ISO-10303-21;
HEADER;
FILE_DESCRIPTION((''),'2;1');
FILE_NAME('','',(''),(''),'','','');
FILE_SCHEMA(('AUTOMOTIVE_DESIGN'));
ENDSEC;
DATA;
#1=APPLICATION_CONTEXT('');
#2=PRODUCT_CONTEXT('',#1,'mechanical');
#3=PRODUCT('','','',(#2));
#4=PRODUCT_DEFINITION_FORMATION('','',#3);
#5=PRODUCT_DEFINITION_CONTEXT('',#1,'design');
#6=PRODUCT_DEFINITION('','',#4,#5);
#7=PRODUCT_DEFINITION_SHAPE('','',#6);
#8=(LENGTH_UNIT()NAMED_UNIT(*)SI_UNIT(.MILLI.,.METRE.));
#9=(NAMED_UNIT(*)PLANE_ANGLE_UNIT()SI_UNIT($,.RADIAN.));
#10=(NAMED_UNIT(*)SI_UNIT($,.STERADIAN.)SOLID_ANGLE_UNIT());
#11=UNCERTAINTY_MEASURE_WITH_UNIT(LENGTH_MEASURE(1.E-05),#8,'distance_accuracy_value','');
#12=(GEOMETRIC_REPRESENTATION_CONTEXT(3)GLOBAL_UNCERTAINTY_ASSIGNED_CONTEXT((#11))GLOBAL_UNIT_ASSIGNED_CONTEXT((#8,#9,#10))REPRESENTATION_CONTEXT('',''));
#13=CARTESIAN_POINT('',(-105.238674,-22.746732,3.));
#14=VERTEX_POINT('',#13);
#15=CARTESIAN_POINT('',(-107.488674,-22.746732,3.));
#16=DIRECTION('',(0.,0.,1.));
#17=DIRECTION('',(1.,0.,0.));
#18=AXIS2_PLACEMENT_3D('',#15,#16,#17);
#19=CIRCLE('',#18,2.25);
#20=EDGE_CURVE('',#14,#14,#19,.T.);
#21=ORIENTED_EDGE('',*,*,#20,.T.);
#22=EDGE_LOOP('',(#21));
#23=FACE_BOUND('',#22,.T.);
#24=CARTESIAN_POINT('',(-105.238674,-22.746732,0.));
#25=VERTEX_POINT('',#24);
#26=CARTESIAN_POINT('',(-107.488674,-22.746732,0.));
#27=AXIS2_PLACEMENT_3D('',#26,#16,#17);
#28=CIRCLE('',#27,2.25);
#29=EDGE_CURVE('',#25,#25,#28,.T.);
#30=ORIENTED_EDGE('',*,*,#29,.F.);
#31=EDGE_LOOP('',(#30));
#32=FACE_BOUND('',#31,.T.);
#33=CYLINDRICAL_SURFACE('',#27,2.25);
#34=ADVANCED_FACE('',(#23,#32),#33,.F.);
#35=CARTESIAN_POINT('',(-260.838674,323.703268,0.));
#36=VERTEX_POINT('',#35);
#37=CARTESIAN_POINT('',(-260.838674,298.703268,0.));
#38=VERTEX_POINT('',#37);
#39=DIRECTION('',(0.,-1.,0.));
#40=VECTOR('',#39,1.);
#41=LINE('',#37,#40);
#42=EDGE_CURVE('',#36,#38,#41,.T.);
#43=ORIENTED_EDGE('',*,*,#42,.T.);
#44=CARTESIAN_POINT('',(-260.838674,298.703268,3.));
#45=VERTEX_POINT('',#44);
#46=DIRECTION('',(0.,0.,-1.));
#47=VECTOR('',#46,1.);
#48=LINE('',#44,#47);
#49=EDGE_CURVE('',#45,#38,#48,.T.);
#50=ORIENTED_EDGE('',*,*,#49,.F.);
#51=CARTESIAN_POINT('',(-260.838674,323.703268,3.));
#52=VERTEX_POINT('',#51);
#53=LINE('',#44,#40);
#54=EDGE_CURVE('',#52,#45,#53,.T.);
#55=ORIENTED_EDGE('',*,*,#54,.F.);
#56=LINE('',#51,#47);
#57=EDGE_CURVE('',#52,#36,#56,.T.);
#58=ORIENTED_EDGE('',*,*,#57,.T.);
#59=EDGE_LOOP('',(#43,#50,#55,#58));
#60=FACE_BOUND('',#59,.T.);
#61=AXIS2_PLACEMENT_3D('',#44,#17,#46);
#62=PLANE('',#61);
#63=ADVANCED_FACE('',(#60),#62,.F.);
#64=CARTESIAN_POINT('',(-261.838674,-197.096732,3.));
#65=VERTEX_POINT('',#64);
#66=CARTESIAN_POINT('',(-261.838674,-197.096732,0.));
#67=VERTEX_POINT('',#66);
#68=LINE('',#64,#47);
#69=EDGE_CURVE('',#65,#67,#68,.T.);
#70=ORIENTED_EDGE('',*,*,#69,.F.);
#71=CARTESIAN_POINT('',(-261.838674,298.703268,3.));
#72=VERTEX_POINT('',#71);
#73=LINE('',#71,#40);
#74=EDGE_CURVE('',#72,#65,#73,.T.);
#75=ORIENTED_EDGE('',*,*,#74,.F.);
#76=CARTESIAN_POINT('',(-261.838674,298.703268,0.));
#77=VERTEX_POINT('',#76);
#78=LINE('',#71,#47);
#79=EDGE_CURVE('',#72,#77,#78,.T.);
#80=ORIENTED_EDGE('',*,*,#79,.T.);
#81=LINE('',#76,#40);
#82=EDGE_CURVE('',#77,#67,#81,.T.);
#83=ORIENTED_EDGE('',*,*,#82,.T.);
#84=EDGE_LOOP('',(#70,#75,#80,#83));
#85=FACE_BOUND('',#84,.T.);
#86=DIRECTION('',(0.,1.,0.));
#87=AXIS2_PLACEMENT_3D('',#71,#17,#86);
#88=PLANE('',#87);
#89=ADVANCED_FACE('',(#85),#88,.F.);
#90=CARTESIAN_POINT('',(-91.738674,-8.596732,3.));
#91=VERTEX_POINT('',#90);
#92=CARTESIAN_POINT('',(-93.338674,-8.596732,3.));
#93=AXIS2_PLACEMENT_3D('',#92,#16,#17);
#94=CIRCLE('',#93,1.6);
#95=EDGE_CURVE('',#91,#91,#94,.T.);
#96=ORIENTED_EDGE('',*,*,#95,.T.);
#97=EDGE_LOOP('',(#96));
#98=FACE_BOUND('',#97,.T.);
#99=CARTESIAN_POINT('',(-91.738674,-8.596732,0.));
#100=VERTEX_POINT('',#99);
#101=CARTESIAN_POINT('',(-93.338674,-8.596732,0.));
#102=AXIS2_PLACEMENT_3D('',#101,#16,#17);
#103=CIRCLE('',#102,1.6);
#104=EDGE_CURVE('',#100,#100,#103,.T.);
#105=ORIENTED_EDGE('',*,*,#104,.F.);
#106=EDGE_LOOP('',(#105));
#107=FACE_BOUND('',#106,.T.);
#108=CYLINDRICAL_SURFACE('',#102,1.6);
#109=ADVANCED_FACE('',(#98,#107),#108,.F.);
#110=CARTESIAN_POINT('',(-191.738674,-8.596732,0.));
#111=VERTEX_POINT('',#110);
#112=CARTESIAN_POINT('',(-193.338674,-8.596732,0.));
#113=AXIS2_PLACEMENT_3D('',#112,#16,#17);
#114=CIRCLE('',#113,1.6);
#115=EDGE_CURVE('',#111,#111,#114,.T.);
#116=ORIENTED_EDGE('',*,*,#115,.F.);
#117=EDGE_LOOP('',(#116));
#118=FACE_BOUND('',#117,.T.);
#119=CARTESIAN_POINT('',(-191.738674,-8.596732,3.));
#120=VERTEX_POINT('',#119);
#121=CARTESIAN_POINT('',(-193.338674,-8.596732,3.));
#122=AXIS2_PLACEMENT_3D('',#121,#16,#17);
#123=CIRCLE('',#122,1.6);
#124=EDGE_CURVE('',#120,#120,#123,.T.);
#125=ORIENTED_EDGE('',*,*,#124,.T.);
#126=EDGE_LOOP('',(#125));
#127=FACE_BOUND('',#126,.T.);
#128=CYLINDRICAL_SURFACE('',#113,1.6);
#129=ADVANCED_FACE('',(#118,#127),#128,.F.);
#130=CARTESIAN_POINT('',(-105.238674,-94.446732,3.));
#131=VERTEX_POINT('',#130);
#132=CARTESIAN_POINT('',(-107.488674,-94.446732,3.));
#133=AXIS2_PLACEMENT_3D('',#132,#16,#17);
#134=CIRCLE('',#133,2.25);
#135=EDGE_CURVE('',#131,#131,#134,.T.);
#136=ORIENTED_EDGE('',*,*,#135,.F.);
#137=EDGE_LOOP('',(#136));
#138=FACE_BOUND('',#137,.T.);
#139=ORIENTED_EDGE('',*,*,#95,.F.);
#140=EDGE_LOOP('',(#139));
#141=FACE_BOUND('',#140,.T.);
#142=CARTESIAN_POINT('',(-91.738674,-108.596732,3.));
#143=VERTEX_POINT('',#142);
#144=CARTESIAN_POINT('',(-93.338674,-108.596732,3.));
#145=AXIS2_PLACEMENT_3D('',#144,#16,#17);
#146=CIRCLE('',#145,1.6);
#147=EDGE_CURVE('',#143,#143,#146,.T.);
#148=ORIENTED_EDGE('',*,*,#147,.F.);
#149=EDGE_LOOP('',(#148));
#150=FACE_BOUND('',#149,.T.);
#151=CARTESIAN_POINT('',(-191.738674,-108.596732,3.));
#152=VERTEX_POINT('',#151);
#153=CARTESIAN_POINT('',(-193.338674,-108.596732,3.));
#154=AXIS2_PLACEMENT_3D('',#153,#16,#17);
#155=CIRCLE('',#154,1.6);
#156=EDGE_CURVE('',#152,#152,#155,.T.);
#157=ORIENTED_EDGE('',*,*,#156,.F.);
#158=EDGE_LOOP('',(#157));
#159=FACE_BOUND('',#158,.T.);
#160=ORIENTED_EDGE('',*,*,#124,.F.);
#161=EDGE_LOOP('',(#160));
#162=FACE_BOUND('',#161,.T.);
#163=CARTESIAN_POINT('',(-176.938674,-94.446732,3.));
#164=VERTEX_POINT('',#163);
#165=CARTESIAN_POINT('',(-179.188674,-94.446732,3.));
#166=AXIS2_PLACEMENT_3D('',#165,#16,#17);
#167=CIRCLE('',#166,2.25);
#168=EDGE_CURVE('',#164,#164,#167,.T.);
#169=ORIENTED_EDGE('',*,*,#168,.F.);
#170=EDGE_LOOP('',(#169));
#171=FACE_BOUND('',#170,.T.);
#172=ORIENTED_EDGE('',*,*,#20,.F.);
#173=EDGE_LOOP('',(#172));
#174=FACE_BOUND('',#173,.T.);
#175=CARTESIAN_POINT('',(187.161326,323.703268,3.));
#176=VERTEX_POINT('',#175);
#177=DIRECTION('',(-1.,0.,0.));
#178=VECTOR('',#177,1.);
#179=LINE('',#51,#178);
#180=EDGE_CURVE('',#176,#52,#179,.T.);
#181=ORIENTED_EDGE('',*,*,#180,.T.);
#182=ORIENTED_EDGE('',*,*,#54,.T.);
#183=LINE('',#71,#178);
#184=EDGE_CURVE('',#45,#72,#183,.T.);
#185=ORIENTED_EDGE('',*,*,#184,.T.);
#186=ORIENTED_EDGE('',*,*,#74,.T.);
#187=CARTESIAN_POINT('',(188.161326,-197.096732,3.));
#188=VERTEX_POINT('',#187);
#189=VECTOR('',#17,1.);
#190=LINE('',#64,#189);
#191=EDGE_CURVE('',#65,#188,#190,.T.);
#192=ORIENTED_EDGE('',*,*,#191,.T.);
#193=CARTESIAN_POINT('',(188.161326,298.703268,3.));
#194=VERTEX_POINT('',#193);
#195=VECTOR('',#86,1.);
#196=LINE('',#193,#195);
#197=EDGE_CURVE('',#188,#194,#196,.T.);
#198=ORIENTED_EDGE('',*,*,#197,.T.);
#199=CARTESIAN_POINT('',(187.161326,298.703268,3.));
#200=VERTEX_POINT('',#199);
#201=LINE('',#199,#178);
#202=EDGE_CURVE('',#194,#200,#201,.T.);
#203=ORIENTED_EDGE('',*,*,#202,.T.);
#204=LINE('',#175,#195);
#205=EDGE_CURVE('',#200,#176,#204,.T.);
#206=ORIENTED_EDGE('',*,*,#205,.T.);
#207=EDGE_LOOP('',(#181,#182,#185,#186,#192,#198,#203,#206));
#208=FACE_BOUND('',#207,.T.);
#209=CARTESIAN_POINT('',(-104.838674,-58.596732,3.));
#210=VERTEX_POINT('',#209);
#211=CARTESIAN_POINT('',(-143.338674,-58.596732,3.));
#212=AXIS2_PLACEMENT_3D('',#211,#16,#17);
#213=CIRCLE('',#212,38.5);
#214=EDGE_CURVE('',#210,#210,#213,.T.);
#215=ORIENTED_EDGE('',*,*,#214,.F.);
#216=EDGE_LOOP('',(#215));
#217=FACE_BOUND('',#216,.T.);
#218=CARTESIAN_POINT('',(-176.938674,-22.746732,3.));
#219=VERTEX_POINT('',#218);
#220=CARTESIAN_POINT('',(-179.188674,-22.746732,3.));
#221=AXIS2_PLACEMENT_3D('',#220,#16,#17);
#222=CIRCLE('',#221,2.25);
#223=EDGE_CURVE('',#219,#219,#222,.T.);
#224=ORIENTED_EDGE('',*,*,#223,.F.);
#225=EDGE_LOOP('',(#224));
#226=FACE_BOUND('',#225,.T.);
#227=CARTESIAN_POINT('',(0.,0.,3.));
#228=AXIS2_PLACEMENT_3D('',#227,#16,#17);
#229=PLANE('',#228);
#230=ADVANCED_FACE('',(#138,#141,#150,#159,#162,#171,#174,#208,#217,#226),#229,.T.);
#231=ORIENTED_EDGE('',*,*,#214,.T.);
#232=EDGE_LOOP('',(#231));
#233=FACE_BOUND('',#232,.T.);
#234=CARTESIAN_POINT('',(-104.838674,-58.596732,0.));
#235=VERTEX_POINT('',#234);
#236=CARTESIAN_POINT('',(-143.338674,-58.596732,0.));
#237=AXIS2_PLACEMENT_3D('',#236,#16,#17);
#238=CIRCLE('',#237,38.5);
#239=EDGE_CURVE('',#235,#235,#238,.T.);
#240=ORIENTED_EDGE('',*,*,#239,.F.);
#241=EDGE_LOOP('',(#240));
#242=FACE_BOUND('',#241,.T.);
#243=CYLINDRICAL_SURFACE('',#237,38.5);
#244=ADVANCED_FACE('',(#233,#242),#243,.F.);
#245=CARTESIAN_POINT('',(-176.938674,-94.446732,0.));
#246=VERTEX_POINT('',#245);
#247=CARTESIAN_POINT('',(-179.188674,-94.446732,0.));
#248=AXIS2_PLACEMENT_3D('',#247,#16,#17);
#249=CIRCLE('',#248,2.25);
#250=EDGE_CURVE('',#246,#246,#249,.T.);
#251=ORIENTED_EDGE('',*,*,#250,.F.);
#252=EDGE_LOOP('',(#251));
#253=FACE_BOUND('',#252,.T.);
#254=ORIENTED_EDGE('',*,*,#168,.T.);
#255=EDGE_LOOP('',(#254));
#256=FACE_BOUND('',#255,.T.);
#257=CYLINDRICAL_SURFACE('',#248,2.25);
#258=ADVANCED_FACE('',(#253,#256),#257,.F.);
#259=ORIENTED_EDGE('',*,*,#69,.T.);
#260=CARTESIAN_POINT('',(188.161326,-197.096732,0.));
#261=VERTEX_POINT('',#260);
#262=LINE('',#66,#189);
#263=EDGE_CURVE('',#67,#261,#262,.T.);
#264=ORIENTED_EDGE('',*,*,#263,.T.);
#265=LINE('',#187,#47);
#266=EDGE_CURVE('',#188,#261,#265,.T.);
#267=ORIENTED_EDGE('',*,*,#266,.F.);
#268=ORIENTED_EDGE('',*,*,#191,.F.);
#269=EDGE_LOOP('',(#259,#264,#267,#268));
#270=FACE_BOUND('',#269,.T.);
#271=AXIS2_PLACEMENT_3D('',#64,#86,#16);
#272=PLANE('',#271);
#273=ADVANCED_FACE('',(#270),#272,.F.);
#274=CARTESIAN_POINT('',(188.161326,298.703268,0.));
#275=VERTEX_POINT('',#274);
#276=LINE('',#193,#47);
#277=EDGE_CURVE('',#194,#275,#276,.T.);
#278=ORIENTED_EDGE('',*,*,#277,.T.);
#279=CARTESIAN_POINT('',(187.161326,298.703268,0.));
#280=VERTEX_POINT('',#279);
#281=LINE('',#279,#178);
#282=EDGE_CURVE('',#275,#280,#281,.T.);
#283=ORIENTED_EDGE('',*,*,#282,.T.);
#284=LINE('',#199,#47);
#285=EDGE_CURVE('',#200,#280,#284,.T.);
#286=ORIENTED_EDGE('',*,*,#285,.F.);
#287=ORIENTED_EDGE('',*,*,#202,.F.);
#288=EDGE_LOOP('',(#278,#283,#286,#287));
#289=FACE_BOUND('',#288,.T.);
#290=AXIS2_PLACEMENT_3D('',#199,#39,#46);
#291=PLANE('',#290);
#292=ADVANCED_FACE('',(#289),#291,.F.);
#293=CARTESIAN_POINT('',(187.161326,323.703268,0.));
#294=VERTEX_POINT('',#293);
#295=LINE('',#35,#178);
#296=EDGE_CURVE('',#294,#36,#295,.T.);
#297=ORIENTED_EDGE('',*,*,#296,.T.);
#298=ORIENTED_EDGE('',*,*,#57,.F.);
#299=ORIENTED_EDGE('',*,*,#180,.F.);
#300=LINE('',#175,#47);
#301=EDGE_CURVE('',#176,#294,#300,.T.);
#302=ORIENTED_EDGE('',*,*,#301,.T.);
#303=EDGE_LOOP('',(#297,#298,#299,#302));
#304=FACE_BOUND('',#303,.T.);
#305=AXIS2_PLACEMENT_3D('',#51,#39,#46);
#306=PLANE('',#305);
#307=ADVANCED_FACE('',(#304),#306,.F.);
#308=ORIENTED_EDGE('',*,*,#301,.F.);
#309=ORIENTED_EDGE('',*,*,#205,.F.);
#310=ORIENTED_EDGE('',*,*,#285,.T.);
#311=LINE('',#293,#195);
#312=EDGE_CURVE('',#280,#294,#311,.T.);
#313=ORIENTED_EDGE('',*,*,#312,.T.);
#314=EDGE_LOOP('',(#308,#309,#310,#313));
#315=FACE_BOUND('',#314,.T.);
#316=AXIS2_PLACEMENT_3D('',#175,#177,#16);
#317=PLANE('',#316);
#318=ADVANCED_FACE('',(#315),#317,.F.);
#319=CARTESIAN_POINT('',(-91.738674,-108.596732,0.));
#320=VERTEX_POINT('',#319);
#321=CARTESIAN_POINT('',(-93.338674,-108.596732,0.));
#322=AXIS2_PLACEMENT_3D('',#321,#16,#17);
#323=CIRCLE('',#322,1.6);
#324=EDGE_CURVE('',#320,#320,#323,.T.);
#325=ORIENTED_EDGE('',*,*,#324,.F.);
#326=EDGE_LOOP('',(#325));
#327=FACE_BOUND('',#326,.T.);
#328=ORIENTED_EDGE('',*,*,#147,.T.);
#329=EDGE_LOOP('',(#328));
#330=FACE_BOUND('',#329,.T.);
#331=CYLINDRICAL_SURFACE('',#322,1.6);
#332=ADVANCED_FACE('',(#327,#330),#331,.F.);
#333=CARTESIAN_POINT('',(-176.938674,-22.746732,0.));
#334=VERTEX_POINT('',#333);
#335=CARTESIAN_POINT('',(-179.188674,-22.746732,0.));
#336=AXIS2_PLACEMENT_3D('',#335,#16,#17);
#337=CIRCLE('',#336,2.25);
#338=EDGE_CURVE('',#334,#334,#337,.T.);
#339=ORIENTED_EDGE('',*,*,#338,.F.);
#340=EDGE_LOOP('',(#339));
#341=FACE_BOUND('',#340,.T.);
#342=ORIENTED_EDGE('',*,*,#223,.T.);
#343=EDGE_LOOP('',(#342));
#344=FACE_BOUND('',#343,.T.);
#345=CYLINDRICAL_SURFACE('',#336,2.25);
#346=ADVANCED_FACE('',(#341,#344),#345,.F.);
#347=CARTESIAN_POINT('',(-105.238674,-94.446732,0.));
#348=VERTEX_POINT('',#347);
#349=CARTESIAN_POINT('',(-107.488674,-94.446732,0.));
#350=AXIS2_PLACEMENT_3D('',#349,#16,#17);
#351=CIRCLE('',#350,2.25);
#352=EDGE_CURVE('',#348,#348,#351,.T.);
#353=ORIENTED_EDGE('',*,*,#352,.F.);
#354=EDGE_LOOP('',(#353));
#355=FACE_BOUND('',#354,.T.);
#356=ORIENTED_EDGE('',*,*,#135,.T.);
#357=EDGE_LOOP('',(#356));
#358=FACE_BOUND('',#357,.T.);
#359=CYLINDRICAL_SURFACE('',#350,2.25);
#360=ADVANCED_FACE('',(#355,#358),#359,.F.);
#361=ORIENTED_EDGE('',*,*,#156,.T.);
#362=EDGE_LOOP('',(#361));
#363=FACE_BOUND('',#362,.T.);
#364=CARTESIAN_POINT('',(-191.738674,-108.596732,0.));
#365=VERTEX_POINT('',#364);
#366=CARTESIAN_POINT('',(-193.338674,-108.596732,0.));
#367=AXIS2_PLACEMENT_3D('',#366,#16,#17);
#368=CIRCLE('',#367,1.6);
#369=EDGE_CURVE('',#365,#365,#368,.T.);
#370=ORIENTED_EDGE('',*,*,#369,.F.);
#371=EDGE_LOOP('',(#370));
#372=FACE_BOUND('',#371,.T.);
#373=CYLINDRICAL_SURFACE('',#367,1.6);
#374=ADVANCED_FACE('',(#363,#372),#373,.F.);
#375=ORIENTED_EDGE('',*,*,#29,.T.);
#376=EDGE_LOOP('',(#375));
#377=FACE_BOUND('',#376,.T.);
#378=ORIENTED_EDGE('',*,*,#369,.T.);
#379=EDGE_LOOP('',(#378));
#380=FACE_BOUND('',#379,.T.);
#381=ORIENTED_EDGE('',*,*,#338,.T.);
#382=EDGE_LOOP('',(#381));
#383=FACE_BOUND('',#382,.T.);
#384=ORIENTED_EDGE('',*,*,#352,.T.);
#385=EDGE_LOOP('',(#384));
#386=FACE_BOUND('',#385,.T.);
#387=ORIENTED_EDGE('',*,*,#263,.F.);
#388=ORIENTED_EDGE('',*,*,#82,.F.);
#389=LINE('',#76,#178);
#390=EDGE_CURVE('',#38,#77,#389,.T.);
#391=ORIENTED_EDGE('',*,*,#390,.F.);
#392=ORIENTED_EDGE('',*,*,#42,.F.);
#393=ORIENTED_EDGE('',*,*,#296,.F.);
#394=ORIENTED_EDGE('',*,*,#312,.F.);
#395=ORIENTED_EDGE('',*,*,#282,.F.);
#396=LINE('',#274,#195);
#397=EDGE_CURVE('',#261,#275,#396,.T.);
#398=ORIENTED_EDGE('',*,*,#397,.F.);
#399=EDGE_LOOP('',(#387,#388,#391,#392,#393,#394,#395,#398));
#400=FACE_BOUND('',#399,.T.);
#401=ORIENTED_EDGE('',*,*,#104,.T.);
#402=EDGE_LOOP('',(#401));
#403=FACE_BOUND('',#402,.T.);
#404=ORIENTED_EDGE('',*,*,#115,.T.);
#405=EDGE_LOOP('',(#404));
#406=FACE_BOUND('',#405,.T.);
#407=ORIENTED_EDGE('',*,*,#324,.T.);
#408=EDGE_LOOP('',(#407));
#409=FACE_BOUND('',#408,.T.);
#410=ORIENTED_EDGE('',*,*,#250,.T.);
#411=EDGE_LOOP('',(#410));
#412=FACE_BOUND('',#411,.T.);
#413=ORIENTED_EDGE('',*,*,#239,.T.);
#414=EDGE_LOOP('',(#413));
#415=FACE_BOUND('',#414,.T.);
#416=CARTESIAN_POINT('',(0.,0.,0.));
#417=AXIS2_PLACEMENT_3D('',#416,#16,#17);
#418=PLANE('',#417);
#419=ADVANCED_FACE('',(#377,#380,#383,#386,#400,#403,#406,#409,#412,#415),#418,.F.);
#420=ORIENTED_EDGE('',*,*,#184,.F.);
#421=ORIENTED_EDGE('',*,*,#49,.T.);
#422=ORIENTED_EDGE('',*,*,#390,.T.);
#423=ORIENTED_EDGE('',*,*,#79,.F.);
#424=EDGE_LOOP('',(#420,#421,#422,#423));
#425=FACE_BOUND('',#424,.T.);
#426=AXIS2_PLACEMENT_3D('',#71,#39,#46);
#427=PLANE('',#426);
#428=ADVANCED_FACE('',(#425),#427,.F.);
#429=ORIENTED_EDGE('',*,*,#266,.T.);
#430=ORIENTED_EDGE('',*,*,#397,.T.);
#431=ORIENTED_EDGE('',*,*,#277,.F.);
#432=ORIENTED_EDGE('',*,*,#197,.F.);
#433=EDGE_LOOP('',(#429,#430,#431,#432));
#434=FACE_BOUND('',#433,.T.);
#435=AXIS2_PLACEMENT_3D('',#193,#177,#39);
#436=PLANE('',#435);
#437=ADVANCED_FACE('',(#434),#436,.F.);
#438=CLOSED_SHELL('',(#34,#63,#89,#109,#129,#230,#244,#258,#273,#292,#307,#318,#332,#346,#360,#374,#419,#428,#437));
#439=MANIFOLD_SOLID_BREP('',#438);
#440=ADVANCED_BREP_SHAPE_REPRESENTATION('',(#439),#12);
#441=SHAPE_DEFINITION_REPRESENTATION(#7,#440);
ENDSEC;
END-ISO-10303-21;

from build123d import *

# Parameters (mm, degrees)
SALIENTE_EXTRUIR1_DEPTH = 3
CROQUIS2_R              = 38.5
CROQUIS2_R_2            = 2.25
CROQUIS2_R_3            = 1.6
CORTAR_EXTRUIR1_DEPTH   = 3


with BuildPart() as part:
    # Croquis1 → Saliente-Extruir1 (new body)
    with BuildSketch(Plane.XY):
        Polygon((-261.838674033, 298.703267526), (-260.838674033, 298.703267526), (-260.838674033, 323.703267526), (187.161325967, 323.703267526), (187.161325967, 298.703267526), (188.161325967, 298.703267526), (188.161325967, -197.096732474), (-261.838674033, -197.096732474), align=None)
    extrude(amount=SALIENTE_EXTRUIR1_DEPTH)

    # Croquis2 → Cortar-Extruir1 (cut)
    with BuildSketch(Plane.XY.offset(3)):
        with Locations((-143.338674033, -58.596732474)):
            Circle(CROQUIS2_R)
        with Locations((-107.488674033, -22.746732474)):
            Circle(CROQUIS2_R_2)
        with Locations((-107.488674033, -94.446732474)):
            Circle(CROQUIS2_R_2)
        with Locations((-179.188674033, -94.446732474)):
            Circle(CROQUIS2_R_2)
        with Locations((-179.188674033, -22.746732474)):
            Circle(CROQUIS2_R_2)
        with Locations((-93.338674033, -8.596732474)):
            Circle(CROQUIS2_R_3)
        with Locations((-93.338674033, -108.596732474)):
            Circle(CROQUIS2_R_3)
        with Locations((-193.338674033, -108.596732474)):
            Circle(CROQUIS2_R_3)
        with Locations((-193.338674033, -8.596732474)):
            Circle(CROQUIS2_R_3)
    extrude(amount=-CORTAR_EXTRUIR1_DEPTH, mode=Mode.SUBTRACT)


solid = part.part
